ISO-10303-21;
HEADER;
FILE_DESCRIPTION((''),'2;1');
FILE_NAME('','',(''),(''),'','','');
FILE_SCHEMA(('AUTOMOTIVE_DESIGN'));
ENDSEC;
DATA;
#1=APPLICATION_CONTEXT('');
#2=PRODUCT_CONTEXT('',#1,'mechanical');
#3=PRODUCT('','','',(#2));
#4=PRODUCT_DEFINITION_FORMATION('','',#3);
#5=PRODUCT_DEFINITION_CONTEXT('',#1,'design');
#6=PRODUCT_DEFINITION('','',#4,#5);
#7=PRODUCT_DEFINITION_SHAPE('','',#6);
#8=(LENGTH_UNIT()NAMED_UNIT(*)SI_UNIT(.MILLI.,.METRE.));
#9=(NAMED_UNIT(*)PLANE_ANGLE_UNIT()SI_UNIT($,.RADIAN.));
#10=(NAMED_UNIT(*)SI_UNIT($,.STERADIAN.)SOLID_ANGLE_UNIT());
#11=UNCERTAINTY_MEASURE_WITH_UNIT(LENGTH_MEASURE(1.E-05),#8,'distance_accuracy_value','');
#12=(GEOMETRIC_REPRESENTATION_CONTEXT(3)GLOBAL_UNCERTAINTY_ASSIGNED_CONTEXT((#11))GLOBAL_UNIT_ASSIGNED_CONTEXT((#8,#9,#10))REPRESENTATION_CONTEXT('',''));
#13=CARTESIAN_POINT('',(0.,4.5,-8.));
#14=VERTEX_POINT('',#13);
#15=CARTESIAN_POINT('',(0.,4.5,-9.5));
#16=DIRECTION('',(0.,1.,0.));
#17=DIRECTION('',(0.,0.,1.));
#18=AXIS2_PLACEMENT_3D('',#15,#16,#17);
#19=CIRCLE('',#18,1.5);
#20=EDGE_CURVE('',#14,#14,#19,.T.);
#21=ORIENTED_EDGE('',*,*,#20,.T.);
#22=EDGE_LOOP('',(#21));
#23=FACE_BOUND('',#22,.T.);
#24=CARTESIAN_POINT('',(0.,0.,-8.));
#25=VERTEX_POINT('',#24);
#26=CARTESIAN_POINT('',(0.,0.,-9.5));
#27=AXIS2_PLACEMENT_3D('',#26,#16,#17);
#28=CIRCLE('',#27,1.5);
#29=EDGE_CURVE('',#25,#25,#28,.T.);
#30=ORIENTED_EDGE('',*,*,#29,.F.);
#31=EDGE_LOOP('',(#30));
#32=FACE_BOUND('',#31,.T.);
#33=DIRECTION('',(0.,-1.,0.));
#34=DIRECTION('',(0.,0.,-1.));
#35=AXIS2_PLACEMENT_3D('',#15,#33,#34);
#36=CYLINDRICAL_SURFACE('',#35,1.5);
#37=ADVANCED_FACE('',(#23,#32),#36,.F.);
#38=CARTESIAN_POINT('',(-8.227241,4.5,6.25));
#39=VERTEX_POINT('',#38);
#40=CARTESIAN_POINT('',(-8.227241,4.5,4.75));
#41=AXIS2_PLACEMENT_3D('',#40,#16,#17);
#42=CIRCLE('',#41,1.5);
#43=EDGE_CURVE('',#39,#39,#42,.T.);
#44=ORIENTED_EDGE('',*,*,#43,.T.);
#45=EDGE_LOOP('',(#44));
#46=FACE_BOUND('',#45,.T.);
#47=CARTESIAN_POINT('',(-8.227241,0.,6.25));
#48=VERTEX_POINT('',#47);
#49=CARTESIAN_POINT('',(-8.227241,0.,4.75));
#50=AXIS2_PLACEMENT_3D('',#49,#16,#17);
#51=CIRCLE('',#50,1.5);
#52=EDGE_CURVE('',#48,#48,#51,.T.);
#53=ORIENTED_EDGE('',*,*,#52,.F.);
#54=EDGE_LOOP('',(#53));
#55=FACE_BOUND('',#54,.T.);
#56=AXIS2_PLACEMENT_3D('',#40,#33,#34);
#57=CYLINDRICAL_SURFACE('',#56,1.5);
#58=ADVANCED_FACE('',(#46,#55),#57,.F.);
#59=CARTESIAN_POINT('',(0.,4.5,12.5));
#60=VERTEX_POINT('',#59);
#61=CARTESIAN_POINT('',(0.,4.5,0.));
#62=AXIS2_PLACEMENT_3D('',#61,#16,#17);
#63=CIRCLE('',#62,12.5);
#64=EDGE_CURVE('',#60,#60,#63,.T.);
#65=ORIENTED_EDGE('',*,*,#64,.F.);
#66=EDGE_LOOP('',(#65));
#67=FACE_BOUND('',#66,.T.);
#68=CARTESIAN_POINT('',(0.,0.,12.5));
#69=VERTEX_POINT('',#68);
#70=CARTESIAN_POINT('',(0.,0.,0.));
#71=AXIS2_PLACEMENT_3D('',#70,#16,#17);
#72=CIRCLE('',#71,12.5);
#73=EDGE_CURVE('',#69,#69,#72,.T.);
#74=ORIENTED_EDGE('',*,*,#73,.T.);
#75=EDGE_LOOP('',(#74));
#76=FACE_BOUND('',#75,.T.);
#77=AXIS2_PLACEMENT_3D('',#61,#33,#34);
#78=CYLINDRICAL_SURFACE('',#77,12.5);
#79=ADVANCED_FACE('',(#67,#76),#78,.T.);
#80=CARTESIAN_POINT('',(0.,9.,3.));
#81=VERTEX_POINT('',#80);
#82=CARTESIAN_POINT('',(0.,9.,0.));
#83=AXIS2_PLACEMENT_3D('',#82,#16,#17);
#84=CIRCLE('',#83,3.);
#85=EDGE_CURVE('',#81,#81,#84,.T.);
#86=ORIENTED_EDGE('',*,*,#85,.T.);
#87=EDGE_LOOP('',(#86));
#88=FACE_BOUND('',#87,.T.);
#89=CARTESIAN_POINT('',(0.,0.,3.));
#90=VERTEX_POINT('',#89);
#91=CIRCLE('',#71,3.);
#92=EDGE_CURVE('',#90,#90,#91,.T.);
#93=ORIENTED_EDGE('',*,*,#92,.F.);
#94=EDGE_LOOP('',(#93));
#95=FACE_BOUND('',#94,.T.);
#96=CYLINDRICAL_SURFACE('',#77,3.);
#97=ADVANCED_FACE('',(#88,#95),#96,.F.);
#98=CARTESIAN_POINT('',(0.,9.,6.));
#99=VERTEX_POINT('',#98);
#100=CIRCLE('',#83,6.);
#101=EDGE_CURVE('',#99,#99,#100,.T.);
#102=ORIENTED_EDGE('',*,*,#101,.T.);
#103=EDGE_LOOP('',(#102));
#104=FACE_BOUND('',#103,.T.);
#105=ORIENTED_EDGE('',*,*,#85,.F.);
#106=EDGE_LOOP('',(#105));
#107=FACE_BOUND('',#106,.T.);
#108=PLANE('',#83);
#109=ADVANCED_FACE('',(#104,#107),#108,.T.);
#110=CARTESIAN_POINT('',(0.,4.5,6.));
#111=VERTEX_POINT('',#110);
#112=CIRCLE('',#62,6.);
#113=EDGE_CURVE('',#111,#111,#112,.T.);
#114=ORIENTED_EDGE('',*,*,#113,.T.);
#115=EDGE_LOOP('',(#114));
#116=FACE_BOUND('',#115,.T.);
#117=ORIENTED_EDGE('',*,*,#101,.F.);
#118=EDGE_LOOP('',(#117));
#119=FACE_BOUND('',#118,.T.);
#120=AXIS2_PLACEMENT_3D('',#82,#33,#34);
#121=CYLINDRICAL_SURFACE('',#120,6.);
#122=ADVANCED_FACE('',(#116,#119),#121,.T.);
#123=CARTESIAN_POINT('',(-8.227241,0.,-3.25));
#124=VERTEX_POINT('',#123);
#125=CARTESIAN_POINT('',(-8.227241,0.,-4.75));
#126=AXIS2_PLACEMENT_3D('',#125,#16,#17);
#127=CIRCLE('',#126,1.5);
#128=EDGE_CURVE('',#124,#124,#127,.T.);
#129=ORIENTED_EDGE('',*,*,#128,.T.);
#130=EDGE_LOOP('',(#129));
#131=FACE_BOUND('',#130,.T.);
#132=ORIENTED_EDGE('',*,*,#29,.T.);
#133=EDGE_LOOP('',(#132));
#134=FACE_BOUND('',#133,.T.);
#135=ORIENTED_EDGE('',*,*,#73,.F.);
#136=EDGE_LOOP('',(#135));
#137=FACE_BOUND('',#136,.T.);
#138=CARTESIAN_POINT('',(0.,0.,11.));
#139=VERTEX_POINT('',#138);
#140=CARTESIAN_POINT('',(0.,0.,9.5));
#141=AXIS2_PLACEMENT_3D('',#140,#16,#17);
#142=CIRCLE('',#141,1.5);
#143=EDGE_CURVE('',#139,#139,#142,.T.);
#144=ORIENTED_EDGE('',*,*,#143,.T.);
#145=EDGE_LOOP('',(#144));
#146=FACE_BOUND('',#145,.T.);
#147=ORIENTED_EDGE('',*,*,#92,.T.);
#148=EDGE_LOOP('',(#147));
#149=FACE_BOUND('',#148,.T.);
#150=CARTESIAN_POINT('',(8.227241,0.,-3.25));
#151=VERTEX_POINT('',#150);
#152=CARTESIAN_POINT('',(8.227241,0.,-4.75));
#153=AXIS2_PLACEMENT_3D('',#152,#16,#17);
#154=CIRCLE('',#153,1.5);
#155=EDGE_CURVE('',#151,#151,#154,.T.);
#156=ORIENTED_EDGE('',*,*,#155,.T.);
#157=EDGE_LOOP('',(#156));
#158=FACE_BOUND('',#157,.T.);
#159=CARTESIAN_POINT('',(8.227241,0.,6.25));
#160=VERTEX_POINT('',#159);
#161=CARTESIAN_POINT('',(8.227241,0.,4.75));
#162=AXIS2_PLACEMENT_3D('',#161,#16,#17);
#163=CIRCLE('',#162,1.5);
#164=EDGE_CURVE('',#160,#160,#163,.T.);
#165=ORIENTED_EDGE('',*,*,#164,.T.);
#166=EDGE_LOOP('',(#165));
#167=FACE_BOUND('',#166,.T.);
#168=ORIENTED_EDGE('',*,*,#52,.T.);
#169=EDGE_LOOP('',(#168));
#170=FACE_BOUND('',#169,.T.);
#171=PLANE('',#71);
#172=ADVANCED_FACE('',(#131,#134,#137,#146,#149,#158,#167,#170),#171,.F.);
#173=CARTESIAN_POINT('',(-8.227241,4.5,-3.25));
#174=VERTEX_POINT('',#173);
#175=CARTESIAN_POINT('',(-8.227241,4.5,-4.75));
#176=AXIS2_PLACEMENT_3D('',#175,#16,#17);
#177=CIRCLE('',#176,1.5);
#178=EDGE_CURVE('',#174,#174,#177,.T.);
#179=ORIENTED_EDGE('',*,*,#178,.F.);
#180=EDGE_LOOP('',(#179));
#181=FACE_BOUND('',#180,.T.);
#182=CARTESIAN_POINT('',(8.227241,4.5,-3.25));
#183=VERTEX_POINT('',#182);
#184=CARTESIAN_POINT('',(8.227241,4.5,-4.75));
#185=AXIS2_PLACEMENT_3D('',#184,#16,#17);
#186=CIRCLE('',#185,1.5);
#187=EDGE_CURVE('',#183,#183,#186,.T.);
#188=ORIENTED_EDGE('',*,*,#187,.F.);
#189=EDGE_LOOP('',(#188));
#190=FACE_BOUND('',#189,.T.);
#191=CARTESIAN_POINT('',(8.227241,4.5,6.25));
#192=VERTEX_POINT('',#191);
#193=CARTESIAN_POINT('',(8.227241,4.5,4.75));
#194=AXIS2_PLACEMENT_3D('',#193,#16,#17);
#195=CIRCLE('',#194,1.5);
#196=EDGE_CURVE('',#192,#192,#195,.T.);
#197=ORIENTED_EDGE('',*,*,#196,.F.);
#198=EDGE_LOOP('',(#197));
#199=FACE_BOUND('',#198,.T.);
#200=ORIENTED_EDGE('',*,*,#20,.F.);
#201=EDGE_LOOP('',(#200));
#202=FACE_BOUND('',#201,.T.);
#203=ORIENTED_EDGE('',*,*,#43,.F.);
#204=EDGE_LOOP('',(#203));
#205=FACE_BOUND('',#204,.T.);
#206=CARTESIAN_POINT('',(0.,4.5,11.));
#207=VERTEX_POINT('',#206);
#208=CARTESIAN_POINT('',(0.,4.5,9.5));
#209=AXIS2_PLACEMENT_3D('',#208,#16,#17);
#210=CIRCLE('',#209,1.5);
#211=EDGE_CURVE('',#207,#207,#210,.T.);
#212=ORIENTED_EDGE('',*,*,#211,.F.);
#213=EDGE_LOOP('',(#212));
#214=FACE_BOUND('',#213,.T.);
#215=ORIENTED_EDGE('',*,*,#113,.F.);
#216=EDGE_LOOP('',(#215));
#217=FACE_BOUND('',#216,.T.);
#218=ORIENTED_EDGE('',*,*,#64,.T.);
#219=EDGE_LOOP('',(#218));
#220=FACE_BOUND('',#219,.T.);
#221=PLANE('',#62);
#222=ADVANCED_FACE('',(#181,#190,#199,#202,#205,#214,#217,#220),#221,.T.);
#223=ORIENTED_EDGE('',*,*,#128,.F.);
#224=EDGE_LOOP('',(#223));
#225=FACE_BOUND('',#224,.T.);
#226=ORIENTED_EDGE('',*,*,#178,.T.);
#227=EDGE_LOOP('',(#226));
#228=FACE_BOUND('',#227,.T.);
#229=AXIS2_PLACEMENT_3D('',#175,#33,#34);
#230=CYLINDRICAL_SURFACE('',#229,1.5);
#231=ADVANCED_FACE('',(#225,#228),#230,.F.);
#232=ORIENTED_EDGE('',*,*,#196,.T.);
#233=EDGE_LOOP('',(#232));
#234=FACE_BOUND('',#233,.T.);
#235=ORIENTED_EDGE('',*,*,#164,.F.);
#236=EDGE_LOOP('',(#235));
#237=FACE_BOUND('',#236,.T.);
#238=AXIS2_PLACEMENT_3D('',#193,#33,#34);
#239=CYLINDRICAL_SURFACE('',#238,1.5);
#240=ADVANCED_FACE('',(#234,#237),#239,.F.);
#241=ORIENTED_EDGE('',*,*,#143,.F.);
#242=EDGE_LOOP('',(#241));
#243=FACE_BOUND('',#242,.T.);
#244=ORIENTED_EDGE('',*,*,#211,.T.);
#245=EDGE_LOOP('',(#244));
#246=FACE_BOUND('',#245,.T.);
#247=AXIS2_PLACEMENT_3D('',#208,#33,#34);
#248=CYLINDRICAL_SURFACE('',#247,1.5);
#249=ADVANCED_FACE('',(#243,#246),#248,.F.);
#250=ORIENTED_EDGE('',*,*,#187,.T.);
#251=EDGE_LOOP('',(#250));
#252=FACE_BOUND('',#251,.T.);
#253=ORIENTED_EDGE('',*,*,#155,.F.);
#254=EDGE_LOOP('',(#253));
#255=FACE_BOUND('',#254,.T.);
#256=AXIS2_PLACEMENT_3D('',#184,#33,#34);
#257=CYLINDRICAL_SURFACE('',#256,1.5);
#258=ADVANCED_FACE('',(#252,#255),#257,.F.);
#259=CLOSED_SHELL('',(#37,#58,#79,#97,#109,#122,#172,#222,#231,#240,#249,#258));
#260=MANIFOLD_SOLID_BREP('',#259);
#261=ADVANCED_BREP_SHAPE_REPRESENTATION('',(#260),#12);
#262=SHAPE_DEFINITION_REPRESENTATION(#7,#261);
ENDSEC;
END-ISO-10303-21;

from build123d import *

# Parameters (mm, degrees)
SKETCH1_R           = 12.5
SKETCH1_R_2         = 6
SKETCH1_R_3         = 1.5
SKETCH1_R_4         = 3
BOSS_EXTRUDE1_DEPTH = 4.5
BOSS_EXTRUDE2_START = 4.5
SKETCH1_3_R         = 6
SKETCH1_3_R_2       = 3
BOSS_EXTRUDE2_DEPTH = 4.5


with BuildPart() as part:
    # Sketch1 → Boss-Extrude1 (new body)
    # profile 1 of 2: a face of its own
    with BuildSketch(Plane(origin=(0, 0, 0), x_dir=(1, 0, 0), z_dir=(0, 1, 0))):
        with Locations(Location((0, 0, 0), (0, 0, 270))):
            Circle(SKETCH1_R)
        Circle(SKETCH1_R_2, mode=Mode.SUBTRACT)
        with Locations(Location((-8.227241336, 4.75, 0), (0, 0, 270))):
            Circle(SKETCH1_R_3, mode=Mode.SUBTRACT)
        with Locations(Location((-8.227241336, -4.75, 0), (0, 0, 270))):
            Circle(SKETCH1_R_3, mode=Mode.SUBTRACT)
        with Locations(Location((0, -9.5, 0), (0, 0, 270))):
            Circle(SKETCH1_R_3, mode=Mode.SUBTRACT)
        with Locations(Location((8.227241336, -4.75, 0), (0, 0, 270))):
            Circle(SKETCH1_R_3, mode=Mode.SUBTRACT)
        with Locations(Location((8.227241336, 4.75, 0), (0, 0, 270))):
            Circle(SKETCH1_R_3, mode=Mode.SUBTRACT)
        with Locations(Location((0, 9.5, 0), (0, 0, 270))):
            Circle(SKETCH1_R_3, mode=Mode.SUBTRACT)
    # profile 2 of 2: a face of its own
    with BuildSketch(Plane(origin=(0, 0, 0), x_dir=(1, 0, 0), z_dir=(0, 1, 0))):
        Circle(SKETCH1_R_2)
        with Locations(Location((0, 0, 0), (0, 0, 270))):
            Circle(SKETCH1_R_4, mode=Mode.SUBTRACT)
    extrude(amount=BOSS_EXTRUDE1_DEPTH)

    # Sketch1<3> → Boss-Extrude2 (add)
    with BuildSketch(Plane(origin=(0, 0, 0), x_dir=(1, 0, 0), z_dir=(0, 1, 0)).offset(BOSS_EXTRUDE2_START)):
        with Locations(Location((0, 0, 0), (0, 0, 270))):
            Circle(SKETCH1_3_R)
        with Locations(Location((0, 0, 0), (0, 0, 270))):
            Circle(SKETCH1_3_R_2, mode=Mode.SUBTRACT)
    extrude(amount=BOSS_EXTRUDE2_DEPTH)


solid = part.part
